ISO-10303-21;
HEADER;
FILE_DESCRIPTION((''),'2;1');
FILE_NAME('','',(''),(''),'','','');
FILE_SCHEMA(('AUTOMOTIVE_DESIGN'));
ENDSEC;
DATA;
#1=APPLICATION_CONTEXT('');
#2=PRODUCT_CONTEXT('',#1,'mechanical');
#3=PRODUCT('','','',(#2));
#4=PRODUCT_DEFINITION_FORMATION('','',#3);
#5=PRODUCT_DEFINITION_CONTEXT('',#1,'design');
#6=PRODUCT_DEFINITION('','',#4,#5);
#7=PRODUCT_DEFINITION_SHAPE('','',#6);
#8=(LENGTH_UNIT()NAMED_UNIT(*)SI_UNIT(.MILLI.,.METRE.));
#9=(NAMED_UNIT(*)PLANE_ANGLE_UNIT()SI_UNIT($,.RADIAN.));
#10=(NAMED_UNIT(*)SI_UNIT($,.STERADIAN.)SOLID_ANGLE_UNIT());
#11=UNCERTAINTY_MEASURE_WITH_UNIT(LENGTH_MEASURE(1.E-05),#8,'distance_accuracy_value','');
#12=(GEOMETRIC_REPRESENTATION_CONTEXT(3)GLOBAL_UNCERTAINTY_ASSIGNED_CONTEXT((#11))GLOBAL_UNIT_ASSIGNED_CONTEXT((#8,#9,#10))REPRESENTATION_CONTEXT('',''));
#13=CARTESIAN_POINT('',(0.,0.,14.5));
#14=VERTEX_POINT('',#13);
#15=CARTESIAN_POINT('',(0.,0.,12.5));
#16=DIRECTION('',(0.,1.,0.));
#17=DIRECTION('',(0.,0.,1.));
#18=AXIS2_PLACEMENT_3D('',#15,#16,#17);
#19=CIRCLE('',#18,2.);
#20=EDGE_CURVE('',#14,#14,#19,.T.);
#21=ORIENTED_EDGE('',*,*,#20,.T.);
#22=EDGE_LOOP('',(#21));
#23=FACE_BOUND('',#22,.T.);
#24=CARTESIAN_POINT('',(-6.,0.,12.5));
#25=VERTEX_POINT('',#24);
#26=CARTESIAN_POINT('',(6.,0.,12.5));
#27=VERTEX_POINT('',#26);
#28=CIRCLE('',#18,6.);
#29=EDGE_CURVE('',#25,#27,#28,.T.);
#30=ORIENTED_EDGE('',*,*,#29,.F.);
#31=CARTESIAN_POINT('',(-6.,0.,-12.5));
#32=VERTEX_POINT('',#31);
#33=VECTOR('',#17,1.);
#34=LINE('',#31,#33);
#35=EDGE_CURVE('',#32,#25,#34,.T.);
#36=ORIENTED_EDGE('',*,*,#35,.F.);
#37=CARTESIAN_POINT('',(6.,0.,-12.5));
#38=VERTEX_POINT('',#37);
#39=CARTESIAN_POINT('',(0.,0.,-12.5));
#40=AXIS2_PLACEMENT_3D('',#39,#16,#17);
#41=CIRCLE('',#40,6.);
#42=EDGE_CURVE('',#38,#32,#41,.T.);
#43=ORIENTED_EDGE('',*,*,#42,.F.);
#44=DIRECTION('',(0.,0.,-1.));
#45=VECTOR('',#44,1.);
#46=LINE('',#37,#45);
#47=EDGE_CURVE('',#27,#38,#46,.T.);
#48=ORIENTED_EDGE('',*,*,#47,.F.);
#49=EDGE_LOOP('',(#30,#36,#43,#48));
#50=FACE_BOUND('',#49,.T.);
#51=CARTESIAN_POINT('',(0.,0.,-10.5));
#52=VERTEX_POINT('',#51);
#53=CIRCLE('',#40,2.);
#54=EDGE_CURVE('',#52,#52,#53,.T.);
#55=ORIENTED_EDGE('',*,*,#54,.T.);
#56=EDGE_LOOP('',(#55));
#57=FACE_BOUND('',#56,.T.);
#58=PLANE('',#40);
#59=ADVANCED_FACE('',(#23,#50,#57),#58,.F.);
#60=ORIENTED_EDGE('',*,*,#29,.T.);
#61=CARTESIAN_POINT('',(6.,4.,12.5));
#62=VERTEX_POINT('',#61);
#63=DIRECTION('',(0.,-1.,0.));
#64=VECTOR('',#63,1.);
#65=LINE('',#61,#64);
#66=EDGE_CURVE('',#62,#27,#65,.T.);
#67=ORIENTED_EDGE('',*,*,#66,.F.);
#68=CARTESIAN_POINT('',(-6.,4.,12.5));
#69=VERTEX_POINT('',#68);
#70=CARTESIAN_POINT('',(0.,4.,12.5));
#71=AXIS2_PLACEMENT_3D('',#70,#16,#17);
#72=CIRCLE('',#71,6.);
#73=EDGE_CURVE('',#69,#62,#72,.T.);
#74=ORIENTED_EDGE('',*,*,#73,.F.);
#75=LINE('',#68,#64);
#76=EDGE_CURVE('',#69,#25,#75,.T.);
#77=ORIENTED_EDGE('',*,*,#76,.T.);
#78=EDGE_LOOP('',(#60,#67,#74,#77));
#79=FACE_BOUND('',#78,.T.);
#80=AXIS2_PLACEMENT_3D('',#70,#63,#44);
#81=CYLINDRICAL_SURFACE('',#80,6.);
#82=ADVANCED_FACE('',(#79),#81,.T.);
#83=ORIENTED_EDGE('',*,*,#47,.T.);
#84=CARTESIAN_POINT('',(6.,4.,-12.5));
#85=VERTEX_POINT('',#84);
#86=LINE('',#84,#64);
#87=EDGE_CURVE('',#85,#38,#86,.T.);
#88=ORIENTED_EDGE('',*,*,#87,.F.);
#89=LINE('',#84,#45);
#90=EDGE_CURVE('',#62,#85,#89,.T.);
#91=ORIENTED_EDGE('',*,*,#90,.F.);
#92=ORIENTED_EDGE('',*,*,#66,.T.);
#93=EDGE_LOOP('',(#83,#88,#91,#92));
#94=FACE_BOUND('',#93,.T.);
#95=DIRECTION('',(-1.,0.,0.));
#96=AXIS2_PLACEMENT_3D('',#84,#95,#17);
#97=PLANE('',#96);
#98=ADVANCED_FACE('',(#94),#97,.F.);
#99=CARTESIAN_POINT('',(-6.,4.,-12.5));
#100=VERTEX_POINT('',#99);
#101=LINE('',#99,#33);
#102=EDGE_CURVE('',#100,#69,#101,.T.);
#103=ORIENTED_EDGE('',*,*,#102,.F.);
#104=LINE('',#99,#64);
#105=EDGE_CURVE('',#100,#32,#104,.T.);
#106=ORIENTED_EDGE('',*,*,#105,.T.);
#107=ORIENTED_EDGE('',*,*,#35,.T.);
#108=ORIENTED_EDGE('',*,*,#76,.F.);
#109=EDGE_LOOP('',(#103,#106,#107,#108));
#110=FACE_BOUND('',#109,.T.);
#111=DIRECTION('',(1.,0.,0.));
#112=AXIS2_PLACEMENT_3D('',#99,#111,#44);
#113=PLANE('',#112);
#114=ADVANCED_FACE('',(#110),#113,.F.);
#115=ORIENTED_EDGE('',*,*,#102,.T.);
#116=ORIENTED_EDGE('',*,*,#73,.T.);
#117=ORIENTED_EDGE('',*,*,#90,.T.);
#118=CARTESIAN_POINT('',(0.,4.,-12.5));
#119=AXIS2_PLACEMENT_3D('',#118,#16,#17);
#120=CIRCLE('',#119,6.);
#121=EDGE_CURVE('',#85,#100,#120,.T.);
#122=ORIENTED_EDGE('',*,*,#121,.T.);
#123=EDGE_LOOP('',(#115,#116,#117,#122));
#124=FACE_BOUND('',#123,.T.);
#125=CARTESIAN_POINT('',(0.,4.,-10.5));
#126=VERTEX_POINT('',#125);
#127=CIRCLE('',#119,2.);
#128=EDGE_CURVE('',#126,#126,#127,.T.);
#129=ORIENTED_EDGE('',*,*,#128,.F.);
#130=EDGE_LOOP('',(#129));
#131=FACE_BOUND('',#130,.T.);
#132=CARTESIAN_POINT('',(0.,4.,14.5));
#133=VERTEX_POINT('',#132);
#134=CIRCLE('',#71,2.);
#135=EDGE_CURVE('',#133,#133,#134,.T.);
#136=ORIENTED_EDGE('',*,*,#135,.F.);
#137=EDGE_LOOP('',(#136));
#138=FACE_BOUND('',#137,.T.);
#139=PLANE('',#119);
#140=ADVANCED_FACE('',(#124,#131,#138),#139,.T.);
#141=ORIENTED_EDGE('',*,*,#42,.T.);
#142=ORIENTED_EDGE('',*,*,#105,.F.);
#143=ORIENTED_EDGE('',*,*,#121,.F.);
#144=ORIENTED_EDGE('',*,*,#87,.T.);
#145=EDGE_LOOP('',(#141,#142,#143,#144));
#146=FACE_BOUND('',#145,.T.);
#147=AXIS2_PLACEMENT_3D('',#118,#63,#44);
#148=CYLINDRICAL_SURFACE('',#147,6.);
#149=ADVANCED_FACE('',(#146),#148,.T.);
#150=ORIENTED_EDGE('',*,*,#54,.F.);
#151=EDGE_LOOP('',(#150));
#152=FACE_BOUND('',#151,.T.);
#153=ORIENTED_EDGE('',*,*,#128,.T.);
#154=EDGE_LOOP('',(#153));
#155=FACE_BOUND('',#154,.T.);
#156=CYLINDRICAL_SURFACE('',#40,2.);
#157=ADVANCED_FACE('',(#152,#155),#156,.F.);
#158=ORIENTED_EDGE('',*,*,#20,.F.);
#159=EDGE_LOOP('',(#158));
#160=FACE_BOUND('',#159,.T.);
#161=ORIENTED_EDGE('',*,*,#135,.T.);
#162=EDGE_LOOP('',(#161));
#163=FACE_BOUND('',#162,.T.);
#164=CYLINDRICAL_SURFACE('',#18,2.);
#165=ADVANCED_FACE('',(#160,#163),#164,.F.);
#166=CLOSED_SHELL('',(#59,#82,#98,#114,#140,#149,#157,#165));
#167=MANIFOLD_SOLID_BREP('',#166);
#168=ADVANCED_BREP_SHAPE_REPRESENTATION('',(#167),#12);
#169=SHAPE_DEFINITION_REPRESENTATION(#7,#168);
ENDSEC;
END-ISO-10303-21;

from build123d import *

# Parameters (mm, degrees)
BOSS_EXTRUDE1_DEPTH = 4
SKETCH2_R           = 2
CUT_EXTRUDE3_DEPTH  = 5


with BuildPart() as part:
    # Sketch1 → Boss-Extrude1 (new body)
    with BuildSketch(Plane(origin=(0, 0, 0), x_dir=(1, 0, 0), z_dir=(0, 1, 0))):
        with BuildLine():
            Line((6, 12.5), (6, -12.5))
            ThreePointArc((6, -12.5), (0, -18.5), (-6, -12.5))
            Line((-6, -12.5), (-6, 12.5))
            ThreePointArc((-6, 12.5), (0, 18.5), (6, 12.5))
        make_face()
    extrude(amount=BOSS_EXTRUDE1_DEPTH)

    # Sketch2 → Cut-Extrude3 (cut, through all)
    with BuildSketch(Plane(origin=(0, 4, 0), x_dir=(1, 0, 0), z_dir=(0, 1, 0))):
        with Locations((0, 12.5)):
            Circle(SKETCH2_R)
        with Locations((0, -12.5)):
            Circle(SKETCH2_R)
    extrude(amount=-CUT_EXTRUDE3_DEPTH, mode=Mode.SUBTRACT)


solid = part.part
